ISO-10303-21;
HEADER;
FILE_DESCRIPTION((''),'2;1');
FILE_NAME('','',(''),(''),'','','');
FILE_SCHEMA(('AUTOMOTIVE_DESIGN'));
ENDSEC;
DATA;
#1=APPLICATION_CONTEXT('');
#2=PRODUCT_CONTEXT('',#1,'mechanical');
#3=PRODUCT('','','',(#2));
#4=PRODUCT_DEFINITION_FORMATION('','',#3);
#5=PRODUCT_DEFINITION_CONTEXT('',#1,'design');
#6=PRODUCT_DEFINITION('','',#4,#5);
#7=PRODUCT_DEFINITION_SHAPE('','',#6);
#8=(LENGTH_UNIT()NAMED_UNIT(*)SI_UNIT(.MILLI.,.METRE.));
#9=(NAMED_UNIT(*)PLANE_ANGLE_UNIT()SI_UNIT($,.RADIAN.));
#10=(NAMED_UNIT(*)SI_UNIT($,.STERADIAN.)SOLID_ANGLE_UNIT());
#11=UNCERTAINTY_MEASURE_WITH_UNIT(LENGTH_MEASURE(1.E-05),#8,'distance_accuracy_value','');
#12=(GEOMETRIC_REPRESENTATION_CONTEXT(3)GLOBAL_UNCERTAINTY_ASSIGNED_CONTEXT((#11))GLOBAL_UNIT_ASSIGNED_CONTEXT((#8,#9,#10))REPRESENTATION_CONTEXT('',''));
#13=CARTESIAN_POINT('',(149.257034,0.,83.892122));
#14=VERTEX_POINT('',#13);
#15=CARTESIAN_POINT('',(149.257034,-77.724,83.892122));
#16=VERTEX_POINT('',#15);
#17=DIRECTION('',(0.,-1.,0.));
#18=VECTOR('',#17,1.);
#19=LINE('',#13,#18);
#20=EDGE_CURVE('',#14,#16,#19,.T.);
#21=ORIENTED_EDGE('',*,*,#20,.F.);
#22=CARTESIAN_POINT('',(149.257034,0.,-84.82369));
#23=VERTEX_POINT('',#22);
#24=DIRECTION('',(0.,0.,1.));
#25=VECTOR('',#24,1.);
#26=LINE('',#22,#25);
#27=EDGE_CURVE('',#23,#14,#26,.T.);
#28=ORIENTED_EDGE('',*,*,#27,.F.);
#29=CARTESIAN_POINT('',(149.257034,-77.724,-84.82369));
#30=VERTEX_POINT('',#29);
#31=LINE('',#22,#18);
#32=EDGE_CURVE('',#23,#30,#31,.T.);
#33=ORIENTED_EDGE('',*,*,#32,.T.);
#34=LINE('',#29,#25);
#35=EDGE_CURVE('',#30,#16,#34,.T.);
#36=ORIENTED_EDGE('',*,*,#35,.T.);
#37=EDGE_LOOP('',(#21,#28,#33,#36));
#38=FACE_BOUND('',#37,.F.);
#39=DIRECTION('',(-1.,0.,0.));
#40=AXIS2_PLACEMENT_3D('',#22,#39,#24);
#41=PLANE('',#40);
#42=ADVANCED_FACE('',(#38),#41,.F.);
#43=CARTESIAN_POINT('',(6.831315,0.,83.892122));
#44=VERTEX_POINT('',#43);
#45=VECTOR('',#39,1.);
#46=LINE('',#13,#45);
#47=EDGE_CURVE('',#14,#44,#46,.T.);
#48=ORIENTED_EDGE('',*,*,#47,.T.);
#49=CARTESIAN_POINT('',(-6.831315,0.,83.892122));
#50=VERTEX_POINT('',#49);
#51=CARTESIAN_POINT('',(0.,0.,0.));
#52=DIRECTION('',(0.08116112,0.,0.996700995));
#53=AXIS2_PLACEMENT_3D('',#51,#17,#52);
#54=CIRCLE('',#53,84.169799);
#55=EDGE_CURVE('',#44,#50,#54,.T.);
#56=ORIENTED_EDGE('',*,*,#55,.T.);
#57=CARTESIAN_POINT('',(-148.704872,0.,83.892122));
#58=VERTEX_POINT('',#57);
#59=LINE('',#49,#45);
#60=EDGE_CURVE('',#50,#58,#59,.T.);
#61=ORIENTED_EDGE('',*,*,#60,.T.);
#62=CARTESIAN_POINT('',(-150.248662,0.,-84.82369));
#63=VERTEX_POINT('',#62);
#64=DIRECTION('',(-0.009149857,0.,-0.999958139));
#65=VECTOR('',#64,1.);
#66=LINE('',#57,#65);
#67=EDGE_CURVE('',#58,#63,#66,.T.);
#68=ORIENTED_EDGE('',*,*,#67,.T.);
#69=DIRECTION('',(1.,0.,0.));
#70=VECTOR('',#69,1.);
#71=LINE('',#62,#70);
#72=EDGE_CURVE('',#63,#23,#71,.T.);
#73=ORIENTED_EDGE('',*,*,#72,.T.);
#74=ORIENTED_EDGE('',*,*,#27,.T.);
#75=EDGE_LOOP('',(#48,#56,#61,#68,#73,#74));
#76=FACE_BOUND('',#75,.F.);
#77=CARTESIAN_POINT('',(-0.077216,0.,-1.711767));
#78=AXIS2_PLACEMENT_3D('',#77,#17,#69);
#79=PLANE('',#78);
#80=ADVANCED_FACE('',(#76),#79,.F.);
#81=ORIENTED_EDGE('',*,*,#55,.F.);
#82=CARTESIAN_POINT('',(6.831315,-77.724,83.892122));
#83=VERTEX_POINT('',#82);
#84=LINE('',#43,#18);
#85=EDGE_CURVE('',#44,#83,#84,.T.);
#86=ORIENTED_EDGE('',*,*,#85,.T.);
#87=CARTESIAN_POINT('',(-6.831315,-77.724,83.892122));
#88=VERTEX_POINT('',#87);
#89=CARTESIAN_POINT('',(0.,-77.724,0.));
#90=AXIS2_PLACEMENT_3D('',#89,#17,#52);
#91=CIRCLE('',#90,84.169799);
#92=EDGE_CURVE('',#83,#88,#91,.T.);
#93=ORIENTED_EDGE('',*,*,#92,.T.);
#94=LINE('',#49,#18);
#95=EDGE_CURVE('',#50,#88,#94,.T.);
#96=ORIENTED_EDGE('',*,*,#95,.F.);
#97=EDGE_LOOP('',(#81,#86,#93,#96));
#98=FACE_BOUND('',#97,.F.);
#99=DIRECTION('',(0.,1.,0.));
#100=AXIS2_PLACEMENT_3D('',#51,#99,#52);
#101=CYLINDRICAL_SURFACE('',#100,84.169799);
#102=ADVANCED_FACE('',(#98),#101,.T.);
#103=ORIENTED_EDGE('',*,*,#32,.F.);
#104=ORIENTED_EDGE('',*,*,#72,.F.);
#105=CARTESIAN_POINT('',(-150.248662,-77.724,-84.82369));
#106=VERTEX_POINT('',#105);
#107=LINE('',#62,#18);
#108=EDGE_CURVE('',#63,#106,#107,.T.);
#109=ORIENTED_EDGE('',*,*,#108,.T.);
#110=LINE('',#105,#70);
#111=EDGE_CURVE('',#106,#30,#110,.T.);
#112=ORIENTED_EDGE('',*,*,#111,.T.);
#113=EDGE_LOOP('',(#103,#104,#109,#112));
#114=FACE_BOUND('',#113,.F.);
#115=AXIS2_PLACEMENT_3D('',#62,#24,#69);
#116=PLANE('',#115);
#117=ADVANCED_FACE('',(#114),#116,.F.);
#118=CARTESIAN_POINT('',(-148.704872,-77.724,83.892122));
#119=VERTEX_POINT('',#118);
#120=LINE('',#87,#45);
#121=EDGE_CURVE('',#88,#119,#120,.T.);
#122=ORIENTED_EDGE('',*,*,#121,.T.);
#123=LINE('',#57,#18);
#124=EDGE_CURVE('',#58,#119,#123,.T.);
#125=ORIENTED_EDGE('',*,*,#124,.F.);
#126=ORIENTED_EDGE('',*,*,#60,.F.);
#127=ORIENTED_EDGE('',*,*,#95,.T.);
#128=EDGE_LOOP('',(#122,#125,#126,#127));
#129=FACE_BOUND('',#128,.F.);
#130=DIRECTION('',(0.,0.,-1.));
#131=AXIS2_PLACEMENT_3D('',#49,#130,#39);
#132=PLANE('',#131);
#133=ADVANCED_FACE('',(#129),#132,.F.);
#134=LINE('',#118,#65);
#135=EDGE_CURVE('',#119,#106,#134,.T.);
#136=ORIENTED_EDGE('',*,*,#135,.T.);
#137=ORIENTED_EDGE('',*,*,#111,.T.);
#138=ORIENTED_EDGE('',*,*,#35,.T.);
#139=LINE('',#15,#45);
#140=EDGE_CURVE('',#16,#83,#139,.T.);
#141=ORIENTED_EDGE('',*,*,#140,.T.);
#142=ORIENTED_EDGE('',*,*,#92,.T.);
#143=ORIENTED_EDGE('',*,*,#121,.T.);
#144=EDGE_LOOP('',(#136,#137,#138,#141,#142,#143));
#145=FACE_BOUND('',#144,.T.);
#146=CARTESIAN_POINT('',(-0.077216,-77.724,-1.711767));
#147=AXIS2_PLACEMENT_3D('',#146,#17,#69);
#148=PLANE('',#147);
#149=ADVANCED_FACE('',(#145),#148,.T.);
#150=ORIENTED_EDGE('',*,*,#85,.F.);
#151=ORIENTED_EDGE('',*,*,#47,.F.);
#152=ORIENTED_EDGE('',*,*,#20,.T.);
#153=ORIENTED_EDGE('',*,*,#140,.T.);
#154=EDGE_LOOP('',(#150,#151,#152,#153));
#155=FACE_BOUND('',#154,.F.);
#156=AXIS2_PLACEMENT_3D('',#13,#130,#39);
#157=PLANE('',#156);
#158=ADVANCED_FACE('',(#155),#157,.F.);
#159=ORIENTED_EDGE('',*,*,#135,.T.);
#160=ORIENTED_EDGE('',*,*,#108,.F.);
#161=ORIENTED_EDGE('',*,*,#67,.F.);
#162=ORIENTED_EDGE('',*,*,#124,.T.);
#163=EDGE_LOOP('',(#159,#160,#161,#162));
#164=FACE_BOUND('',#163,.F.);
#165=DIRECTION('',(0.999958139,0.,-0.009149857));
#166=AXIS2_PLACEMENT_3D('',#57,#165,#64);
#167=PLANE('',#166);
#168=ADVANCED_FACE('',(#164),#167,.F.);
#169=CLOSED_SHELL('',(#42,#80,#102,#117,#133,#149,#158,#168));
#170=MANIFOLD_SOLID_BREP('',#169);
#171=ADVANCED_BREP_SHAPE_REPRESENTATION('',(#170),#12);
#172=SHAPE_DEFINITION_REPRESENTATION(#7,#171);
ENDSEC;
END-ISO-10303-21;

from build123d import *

# Parameters (mm, degrees)
F1_DEPTH = 77.724


with BuildPart() as f1:
    # F0 (on Front) → F1 (new body)
    with BuildSketch(Plane.XZ):
        with BuildLine():
            Line((-6.8313151013, 83.892121911), (-148.7048715353, 83.892121911))
            Line((-148.7048715353, 83.892121911), (-150.2486616373, -84.8236903548))
            Line((-150.2486616373, -84.8236903548), (149.2570340633, -84.8236903548))
            Line((149.2570340633, -84.8236903548), (149.2570340633, 83.892121911))
            Line((149.2570340633, 83.892121911), (6.8313151013, 83.892121911))
            ThreePointArc((6.8313151013, 83.892121911), (61.8851573502, 57.0506992463), (84.169798531, 0))
            ThreePointArc((84.169798531, 0), (-57.0506992463, -61.8851573502), (-6.8313151013, 83.892121911))
        make_face()
        with BuildLine():
            ThreePointArc((6.8313151013, 83.892121911), (0, 84.169798531), (-6.8313151013, 83.892121911))
            Line((-6.8313151013, 83.892121911), (6.8313151013, 83.892121911))
        make_face()
        with BuildLine():
            Line((6.8313151013, 83.892121911), (-6.8313151013, 83.892121911))
            ThreePointArc((-6.8313151013, 83.892121911), (-57.0506992463, -61.8851573502), (84.169798531, 0))
            ThreePointArc((84.169798531, 0), (61.8851573502, 57.0506992463), (6.8313151013, 83.892121911))
        make_face()
    extrude(amount=F1_DEPTH)


solid = f1.part
